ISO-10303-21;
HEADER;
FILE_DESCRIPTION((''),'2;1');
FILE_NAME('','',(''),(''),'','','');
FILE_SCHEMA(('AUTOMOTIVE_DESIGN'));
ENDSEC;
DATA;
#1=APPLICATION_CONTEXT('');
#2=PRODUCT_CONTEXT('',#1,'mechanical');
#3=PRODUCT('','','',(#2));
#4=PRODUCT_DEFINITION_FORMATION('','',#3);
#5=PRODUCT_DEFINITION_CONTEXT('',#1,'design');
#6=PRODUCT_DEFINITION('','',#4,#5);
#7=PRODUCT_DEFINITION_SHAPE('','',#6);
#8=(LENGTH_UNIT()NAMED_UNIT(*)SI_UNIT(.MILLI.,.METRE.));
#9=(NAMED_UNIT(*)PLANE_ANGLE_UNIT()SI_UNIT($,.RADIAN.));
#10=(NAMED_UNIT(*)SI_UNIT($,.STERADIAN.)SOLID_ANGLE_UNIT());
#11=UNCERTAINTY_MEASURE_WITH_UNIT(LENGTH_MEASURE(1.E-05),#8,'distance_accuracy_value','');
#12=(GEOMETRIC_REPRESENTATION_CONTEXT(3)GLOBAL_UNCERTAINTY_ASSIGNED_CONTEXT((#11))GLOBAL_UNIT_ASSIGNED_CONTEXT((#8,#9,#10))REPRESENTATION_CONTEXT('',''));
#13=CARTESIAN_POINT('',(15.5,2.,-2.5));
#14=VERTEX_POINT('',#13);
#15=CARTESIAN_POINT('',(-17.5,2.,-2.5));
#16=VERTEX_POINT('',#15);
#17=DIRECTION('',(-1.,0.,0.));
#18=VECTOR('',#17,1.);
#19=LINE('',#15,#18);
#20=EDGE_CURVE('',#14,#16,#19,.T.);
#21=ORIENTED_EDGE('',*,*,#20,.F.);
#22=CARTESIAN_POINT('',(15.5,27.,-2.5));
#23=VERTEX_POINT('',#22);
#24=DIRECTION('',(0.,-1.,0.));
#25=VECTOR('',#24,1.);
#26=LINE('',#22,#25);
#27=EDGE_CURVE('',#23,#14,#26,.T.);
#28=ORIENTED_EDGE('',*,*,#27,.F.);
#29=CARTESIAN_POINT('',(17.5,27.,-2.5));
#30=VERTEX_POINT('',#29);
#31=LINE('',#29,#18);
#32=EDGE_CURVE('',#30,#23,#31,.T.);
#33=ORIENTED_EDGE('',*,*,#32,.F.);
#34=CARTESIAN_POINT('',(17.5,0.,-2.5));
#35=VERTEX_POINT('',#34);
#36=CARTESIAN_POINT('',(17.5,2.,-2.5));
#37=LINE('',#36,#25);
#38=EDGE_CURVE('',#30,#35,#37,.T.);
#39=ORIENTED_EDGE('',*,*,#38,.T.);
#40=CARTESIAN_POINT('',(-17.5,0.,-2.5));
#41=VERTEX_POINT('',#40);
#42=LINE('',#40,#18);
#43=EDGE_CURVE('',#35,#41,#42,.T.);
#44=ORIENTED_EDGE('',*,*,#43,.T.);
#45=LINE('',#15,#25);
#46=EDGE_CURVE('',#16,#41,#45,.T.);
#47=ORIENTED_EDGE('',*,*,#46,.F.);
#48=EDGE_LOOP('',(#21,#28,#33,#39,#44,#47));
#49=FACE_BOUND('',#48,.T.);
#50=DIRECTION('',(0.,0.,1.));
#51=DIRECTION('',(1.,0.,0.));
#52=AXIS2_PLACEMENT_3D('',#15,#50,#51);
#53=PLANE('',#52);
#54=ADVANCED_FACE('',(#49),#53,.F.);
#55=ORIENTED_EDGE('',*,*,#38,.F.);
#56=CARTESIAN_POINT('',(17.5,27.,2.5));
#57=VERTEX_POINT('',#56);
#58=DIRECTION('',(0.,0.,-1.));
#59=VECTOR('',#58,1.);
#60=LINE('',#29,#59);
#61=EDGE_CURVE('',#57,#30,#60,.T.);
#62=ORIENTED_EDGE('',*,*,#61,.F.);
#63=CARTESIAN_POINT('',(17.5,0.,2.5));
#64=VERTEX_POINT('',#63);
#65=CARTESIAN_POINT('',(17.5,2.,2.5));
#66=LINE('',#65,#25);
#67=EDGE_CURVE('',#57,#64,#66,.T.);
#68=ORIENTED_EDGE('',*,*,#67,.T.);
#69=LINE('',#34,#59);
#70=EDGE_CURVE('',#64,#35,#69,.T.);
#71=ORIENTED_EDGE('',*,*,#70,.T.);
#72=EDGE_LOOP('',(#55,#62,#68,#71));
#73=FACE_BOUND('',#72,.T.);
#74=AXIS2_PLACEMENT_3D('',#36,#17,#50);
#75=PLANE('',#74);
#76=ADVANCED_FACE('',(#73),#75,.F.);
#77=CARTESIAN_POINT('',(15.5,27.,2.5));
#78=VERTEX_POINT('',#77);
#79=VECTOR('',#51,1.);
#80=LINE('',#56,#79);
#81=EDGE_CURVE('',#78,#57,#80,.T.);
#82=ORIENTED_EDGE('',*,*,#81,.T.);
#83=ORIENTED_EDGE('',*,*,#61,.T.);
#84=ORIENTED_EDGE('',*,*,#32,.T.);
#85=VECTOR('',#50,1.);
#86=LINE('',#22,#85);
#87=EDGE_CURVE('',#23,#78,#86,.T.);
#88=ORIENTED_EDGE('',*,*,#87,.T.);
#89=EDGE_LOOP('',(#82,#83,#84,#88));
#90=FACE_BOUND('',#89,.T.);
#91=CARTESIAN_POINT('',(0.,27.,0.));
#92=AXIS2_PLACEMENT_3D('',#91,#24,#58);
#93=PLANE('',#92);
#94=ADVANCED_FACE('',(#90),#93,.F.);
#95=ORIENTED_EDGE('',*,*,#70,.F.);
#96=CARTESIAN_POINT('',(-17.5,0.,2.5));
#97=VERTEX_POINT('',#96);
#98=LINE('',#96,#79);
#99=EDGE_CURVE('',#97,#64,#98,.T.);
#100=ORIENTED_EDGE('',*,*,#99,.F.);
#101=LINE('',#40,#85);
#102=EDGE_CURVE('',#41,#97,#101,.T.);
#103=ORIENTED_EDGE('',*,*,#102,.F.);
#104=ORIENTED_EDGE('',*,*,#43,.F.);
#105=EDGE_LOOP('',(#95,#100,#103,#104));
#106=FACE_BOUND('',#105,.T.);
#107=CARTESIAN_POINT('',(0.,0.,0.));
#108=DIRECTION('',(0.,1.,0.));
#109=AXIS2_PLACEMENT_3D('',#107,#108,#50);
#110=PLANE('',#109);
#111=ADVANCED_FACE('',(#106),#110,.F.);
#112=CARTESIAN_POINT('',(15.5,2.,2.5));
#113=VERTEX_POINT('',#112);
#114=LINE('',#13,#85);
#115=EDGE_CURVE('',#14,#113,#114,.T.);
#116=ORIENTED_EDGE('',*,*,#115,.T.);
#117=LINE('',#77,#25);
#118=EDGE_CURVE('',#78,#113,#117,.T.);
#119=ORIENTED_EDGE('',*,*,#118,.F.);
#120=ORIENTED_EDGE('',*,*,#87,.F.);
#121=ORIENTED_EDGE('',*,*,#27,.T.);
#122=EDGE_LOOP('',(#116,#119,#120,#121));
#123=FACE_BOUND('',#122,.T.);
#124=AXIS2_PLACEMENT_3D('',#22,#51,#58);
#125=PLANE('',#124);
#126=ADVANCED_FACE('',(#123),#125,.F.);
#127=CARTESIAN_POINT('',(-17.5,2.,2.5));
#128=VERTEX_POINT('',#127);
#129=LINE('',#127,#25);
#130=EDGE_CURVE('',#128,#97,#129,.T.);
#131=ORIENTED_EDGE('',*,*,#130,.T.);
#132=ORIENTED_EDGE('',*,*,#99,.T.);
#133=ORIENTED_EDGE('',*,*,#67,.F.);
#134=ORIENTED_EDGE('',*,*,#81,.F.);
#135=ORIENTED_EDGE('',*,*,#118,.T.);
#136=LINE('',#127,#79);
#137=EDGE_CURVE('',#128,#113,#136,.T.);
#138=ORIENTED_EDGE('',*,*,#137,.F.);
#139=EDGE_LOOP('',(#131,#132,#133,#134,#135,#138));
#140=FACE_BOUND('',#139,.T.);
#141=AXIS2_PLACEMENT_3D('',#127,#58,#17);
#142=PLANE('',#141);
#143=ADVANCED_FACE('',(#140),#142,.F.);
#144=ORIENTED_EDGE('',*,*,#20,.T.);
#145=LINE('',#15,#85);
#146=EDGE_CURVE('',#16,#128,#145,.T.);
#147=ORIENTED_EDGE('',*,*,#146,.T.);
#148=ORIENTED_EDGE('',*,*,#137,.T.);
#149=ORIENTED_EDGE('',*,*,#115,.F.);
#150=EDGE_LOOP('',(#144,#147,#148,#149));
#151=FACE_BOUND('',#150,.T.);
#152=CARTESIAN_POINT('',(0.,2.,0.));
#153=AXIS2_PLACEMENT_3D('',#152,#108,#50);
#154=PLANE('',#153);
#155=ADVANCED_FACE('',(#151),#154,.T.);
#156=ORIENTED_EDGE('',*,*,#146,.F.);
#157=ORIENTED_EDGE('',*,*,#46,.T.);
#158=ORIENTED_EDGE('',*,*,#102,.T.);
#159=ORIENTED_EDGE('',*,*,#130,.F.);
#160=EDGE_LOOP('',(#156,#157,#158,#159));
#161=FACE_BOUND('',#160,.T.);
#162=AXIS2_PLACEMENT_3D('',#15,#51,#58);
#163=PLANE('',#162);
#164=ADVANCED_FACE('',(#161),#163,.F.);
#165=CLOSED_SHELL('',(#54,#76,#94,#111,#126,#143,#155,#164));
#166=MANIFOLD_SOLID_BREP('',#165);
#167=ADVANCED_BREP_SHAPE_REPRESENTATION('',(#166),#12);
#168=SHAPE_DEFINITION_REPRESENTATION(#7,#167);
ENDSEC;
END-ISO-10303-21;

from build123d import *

# Parameters (mm, degrees)
SKETCH1_W           = 35
SKETCH1_H           = 5
BOSS_EXTRUDE3_DEPTH = 2
SKETCH3_W           = 2
SKETCH3_H           = 5
BOSS_EXTRUDE4_DEPTH = 25


with BuildPart() as part:
    # Sketch1 → Boss-Extrude3 (new body)
    with BuildSketch(Plane(origin=(0, 0, 0), x_dir=(1, 0, 0), z_dir=(0, 1, 0))):
        Rectangle(SKETCH1_W, SKETCH1_H)
    extrude(amount=BOSS_EXTRUDE3_DEPTH)

    # Sketch3 → Boss-Extrude4 (add)
    with BuildSketch(Plane(origin=(0, 2, 0), x_dir=(1, 0, 0), z_dir=(0, 1, 0))):
        with Locations((16.5, 0)):
            Rectangle(SKETCH3_W, SKETCH3_H)
    extrude(amount=BOSS_EXTRUDE4_DEPTH)


solid = part.part
